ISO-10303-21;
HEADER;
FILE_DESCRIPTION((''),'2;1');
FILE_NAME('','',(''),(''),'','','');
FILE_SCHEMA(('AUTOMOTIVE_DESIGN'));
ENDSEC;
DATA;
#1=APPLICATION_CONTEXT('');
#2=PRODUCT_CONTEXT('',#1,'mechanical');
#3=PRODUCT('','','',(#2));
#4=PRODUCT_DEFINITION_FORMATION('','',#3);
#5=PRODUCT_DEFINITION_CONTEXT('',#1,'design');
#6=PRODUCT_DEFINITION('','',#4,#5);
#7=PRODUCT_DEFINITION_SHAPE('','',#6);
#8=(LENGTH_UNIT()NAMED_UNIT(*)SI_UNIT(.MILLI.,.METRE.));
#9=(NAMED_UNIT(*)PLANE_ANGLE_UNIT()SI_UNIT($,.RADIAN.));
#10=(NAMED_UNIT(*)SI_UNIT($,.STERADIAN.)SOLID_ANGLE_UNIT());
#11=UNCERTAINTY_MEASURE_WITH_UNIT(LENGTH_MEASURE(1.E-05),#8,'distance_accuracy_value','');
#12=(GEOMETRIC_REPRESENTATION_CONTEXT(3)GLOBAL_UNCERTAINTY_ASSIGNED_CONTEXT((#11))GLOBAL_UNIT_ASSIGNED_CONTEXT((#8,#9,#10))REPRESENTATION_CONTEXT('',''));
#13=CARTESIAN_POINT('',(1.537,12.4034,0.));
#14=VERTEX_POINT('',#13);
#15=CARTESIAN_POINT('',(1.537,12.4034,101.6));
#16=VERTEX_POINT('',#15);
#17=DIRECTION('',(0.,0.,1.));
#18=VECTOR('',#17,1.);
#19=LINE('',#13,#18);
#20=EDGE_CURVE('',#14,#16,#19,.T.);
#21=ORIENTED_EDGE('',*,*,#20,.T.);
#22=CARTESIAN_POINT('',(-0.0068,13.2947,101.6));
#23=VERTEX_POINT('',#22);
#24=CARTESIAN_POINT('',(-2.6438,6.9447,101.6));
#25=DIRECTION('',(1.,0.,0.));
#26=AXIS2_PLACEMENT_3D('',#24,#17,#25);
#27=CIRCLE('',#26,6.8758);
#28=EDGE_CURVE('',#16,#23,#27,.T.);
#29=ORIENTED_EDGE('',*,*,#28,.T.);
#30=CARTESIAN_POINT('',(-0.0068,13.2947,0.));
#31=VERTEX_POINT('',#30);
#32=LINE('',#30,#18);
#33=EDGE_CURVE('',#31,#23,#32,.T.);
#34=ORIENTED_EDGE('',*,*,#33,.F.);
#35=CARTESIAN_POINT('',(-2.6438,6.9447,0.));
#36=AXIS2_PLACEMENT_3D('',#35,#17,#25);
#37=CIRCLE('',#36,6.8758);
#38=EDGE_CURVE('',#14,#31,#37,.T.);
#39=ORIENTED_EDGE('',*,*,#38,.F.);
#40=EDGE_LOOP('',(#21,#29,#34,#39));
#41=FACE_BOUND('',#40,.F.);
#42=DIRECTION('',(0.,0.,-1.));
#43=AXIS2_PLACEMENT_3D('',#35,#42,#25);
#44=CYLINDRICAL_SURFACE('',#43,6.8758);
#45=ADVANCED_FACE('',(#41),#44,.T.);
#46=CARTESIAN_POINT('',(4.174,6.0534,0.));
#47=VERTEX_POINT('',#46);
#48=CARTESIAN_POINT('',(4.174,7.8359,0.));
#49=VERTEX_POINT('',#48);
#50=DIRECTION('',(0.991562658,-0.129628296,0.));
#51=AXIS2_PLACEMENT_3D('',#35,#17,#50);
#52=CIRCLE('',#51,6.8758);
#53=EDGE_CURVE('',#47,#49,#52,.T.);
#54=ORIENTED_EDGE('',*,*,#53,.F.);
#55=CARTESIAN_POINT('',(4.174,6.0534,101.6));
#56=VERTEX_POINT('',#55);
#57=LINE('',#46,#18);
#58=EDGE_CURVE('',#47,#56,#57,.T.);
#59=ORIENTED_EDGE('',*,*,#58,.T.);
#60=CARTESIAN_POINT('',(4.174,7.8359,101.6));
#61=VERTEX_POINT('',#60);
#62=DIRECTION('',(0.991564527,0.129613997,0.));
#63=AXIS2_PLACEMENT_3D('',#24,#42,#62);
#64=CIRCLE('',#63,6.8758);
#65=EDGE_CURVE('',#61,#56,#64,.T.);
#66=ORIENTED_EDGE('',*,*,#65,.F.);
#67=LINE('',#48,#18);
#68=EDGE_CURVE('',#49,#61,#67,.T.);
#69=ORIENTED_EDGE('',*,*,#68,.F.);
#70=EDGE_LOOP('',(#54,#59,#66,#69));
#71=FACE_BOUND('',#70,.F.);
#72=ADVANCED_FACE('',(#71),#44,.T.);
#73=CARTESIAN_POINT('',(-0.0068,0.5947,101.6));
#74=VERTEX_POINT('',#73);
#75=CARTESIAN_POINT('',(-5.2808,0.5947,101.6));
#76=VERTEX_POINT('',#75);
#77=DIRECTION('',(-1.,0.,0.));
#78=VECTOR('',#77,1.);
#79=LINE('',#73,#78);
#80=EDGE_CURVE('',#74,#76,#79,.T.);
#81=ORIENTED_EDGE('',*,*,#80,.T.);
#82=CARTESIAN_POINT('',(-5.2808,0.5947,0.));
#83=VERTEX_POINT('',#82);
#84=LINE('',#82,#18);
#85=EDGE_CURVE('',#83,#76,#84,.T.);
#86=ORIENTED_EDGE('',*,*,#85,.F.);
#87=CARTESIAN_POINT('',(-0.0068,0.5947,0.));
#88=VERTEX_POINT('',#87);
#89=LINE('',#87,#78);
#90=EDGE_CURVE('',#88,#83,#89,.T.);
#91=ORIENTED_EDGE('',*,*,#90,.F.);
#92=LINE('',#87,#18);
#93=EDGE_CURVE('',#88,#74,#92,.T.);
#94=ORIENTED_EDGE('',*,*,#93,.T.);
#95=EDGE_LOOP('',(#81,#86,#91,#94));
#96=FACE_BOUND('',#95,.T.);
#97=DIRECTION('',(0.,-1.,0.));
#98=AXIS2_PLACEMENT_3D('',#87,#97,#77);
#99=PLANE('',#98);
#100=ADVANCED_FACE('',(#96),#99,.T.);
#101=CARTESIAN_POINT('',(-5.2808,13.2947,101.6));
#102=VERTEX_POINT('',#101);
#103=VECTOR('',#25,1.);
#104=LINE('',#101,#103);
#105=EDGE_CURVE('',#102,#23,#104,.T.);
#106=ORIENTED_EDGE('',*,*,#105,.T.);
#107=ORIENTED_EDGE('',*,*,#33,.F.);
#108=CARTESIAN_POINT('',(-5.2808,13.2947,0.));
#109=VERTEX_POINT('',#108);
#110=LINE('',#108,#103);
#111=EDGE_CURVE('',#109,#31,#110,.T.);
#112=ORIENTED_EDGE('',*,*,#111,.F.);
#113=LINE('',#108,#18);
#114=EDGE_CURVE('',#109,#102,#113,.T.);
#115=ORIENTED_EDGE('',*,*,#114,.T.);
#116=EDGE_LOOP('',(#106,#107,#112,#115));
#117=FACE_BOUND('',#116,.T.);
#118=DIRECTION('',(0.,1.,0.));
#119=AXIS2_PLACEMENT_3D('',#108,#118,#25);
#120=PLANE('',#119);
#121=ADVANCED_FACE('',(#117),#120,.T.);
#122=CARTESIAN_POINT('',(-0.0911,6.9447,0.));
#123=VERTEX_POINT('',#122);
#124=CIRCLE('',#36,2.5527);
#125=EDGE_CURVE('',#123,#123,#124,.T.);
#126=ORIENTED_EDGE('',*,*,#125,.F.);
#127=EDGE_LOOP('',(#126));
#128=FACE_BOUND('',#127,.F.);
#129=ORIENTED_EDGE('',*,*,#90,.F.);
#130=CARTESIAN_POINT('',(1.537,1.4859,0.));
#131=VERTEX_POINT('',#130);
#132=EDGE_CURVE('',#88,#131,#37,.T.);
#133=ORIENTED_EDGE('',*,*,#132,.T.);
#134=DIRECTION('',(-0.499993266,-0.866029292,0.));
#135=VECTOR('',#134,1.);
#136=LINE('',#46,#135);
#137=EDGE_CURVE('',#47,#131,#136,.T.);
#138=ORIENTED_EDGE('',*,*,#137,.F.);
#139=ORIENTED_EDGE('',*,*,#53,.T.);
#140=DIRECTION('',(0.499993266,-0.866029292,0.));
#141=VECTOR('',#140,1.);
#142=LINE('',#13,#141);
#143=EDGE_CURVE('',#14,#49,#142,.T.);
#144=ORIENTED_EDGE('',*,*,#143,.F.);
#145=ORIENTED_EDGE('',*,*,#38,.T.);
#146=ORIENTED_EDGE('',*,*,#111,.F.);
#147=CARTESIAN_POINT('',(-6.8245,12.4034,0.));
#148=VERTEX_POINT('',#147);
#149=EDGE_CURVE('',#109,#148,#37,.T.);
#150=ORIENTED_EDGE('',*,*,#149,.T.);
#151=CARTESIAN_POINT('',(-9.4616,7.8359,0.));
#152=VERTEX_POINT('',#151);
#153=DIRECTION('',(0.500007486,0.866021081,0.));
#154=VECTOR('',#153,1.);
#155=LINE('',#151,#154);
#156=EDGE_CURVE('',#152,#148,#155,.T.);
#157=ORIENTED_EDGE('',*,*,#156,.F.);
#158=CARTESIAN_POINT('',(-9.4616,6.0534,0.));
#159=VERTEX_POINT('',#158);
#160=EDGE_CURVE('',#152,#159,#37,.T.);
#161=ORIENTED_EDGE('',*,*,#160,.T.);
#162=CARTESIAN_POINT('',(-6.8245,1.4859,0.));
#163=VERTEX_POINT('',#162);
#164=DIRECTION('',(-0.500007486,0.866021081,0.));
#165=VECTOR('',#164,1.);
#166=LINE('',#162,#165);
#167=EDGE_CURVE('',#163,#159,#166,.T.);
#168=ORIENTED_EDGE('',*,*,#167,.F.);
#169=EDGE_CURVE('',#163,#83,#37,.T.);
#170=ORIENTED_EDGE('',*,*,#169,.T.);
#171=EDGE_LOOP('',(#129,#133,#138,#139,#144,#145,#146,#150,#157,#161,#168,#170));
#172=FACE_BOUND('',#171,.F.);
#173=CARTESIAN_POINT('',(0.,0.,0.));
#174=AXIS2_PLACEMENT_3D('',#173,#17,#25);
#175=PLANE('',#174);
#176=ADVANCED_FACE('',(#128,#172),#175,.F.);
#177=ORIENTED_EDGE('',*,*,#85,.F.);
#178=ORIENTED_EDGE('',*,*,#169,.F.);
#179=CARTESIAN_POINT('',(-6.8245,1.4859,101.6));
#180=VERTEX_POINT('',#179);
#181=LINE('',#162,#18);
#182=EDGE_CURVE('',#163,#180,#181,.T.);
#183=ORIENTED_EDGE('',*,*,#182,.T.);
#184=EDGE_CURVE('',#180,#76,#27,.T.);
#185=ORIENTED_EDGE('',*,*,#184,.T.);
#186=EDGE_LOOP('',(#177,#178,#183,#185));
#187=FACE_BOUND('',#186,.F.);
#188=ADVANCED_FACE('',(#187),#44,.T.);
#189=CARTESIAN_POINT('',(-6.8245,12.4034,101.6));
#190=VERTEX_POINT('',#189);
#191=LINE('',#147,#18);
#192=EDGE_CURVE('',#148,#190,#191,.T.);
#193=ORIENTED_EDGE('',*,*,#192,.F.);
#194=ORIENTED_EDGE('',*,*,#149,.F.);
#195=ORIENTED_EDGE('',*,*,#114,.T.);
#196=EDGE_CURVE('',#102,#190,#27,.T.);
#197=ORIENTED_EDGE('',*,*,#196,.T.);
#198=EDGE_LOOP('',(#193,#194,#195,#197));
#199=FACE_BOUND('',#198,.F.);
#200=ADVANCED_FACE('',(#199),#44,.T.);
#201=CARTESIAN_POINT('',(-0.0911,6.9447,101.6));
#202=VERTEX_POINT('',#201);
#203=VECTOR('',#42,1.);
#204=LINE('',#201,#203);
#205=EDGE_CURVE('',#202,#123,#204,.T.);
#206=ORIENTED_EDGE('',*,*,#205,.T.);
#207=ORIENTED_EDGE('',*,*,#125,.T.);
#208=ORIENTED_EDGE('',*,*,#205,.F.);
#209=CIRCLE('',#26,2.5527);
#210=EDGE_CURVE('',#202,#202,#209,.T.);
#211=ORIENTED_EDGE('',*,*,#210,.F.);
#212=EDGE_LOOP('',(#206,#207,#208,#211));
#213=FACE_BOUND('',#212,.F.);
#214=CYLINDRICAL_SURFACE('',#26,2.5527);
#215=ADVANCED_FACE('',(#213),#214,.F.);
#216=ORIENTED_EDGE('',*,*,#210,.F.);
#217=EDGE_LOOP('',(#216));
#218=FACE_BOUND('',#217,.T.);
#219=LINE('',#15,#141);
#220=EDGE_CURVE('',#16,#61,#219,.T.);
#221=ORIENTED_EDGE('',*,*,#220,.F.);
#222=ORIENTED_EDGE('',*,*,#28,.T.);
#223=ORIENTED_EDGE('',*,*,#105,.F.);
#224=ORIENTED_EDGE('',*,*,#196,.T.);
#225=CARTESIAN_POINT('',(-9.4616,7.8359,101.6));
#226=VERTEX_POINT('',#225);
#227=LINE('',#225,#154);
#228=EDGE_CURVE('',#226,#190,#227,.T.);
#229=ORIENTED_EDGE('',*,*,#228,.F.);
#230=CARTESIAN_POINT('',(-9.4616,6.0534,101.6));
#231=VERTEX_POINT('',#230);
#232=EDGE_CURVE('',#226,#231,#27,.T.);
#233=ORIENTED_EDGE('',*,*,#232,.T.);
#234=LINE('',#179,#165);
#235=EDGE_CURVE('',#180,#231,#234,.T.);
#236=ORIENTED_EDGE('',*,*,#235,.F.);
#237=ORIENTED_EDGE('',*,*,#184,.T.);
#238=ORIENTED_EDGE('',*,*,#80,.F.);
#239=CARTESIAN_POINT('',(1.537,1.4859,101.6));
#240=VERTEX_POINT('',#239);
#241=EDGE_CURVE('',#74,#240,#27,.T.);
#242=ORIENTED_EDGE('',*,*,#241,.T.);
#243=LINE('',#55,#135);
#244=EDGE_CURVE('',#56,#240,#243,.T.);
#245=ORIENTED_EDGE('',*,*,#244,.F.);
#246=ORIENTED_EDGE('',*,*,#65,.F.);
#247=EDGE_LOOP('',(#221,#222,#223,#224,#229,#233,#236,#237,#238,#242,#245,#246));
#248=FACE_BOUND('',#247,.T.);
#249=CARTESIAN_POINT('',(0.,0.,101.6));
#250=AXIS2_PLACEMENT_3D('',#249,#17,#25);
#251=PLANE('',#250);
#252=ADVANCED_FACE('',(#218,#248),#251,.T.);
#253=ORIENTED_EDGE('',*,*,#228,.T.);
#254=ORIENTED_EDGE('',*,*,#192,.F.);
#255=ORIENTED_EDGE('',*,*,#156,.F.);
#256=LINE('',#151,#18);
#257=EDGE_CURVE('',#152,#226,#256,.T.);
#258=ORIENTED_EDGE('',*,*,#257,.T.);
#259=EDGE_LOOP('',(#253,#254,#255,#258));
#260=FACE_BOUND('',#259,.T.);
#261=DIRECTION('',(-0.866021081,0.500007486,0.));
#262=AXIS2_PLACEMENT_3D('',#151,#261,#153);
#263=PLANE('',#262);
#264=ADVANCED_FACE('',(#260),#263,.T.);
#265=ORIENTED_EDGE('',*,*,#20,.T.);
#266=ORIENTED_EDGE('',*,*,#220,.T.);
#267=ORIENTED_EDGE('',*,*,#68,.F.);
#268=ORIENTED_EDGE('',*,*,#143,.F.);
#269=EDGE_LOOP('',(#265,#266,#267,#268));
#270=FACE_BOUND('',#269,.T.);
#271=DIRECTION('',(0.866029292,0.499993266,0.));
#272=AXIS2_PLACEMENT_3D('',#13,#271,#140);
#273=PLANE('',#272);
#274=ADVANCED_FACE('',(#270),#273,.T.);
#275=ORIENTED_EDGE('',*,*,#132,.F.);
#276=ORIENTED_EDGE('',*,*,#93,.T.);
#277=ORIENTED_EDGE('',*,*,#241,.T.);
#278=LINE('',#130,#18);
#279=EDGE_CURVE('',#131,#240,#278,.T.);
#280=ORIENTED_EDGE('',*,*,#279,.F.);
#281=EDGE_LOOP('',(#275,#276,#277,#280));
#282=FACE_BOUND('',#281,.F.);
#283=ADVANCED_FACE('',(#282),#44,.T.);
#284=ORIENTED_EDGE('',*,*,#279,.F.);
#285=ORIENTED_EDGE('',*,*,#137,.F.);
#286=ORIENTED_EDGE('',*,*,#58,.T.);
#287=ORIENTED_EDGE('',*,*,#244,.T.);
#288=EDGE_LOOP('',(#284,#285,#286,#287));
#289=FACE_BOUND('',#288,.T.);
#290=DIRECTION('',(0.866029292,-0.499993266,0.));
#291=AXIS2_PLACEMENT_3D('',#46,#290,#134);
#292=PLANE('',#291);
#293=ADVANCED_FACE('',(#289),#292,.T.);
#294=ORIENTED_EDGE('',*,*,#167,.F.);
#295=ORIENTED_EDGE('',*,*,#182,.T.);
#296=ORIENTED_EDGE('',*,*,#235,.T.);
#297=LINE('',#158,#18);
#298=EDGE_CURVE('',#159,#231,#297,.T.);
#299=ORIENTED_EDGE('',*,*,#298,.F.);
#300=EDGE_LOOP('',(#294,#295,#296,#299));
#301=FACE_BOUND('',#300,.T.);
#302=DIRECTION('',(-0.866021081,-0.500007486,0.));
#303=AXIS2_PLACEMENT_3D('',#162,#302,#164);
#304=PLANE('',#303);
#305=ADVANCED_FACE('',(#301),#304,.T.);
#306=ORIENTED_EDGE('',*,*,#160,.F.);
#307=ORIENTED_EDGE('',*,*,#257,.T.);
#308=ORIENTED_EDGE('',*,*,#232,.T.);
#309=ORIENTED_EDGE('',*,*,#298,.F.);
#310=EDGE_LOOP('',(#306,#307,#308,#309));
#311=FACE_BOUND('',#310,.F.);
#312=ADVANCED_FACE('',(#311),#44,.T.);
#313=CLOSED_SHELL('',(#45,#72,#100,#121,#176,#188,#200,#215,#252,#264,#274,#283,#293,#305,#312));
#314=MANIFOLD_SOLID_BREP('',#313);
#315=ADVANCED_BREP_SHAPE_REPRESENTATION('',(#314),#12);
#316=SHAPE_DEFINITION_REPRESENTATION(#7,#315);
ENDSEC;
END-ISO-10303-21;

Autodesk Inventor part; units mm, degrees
ref_plane "YZ Plane" through (0, 0, 0) normal (1, 0, 0) x (0, 1, 0)
ref_plane "XZ Plane" through (0, 0, 0) normal (0, 1, 0) x (-1, 0, 0)
ref_plane "XY Plane" through (0, 0, 0) normal (0, 0, 1) x (1, 0, 0)
sketch "Sketch1" plane through (0, 0, 0) normal (0, 0, 1) x (1, 0, 0)
  circle A0 centre (-2.6438, 6.9447) radius 6.8758
  line L0 (-9.4616, 7.8359) -> (-6.8245, 12.4034)
  line L1 (-6.8245, 1.4859) -> (-9.4616, 6.0534)
  line L2 (-0.0068, 0.5947) -> (-5.2808, 0.5947)
  line L3 (4.174, 6.0534) -> (1.537, 1.4859)
  line L4 (1.537, 12.4034) -> (4.174, 7.8359)
  line L5 (-5.2808, 13.2947) -> (-0.0068, 13.2947)
  point P0 (0, 0)
  point P1 (1.537, 1.4859)
  dimension "d0" = 13.7516
  dimension "d4" = 360
extrude "Extrusion1" add sketch "Sketch1" along normal blind 101.6 contours A0 L3 L2 L1 L0 L5 L4
sketch "Sketch2" plane through (0, 0, 101.6) normal (0, 0, 1) x (1, 0, 0)
  circle A0 centre (-2.6438, 6.9447) radius 2.5527
  line L0 (-5.2808, 0.5947) -> (-0.0068, 0.5947) projected
  line L1 (-2.6438, 6.9447) -> (-5.2808, 0.5947) construction
  line L2 (-2.6438, 6.9447) -> (-0.0068, 0.5947) construction
  point P0 (0, 0)
  dimension "d8" = 5.1054
  dimension "d9" = 6.35
extrude "Extrusion2" cut sketch "Sketch2" against normal blind 101.6
equation "\"d6\" = d5"
equation "\"d10\" = d5"
equation "\"d5\" = 101.6"
properties part number "4in Thundershaft" material "Aluminum 6061"
